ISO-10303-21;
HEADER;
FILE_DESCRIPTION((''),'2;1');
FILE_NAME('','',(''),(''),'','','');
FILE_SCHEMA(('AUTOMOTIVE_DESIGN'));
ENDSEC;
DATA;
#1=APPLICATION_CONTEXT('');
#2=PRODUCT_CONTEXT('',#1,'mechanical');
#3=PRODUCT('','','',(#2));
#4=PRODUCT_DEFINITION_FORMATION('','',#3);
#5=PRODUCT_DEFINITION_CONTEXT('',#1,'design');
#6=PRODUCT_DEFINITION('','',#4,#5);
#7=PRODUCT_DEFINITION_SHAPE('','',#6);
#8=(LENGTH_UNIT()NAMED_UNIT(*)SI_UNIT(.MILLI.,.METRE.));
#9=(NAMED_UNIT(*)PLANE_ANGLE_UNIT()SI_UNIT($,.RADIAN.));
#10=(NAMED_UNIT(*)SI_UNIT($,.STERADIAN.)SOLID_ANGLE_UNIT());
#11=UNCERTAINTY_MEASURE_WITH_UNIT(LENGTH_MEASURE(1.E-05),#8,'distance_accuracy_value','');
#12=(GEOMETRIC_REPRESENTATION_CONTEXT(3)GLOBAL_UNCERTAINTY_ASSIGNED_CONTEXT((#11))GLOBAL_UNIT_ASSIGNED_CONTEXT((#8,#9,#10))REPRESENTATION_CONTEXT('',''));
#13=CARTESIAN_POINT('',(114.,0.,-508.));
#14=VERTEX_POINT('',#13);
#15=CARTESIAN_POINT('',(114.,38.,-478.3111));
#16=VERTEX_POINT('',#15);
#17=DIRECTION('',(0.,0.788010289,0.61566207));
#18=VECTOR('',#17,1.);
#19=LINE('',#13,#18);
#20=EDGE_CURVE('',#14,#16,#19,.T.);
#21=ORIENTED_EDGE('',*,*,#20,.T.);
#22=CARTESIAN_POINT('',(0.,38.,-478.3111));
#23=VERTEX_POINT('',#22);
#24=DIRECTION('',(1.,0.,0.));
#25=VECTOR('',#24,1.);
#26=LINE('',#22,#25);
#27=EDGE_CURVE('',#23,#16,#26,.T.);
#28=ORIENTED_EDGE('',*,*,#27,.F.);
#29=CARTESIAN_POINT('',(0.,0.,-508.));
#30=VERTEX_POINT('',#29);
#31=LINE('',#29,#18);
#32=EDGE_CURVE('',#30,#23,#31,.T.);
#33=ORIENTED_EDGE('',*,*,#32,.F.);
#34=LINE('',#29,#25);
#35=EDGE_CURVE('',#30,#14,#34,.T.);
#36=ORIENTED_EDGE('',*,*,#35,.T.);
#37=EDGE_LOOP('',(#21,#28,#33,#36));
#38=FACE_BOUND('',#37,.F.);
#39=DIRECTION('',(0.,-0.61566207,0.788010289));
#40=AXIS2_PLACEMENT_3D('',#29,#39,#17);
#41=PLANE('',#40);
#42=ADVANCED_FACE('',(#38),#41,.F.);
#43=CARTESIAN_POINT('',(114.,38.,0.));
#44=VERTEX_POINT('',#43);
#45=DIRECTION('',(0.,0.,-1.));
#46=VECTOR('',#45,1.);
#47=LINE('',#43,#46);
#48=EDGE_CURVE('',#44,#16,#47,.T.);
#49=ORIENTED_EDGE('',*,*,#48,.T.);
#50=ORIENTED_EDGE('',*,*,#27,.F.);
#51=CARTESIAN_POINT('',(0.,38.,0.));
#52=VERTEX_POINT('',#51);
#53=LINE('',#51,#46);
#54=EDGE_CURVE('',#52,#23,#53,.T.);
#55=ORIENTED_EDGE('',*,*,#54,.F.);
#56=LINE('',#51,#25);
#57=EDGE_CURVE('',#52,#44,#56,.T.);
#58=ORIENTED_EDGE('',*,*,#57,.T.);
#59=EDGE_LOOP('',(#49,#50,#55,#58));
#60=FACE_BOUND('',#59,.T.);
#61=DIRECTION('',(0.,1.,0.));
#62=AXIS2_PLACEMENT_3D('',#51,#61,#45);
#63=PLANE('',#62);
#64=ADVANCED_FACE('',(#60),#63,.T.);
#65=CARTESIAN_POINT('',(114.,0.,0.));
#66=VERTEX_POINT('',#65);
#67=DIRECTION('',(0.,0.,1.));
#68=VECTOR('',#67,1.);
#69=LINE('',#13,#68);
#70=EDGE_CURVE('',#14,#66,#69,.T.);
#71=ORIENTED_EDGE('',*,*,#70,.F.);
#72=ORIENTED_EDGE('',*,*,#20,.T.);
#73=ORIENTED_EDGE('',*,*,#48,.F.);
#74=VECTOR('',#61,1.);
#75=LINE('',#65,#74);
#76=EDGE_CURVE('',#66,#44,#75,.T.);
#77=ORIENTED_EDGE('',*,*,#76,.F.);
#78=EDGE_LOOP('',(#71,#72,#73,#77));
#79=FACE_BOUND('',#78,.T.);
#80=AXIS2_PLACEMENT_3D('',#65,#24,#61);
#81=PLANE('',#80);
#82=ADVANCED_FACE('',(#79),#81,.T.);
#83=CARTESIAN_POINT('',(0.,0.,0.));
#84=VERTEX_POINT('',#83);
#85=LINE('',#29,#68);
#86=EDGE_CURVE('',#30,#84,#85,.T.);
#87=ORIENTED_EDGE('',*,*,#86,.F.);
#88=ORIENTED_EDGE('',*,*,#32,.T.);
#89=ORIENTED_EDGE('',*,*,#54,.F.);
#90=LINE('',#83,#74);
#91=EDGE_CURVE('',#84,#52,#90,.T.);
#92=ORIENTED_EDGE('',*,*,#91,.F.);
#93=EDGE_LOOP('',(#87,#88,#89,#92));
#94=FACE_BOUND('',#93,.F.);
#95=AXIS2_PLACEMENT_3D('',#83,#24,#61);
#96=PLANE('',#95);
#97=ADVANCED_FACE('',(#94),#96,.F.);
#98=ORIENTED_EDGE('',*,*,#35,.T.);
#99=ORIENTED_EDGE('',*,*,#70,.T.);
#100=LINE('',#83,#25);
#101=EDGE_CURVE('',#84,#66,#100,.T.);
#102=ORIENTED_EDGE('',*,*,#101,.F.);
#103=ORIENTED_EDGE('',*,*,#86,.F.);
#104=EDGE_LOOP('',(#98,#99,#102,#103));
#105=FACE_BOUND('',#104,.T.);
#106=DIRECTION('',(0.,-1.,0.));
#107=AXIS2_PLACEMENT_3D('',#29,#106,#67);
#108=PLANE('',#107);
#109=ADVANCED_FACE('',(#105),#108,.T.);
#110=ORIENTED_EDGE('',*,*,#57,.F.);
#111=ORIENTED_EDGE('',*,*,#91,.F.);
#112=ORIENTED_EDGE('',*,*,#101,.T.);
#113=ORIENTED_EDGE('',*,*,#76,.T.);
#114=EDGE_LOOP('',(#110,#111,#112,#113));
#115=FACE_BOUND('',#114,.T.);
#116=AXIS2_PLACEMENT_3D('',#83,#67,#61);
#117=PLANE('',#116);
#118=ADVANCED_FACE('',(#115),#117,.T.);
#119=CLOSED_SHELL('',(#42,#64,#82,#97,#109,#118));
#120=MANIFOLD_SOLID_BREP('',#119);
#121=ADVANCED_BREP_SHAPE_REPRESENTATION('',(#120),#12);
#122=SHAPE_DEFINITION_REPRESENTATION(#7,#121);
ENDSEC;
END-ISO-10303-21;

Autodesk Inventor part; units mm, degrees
ref_plane "YZ Plane" through (0, 0, 0) normal (1, 0, 0) x (0, 1, 0)
ref_plane "XZ Plane" through (0, 0, 0) normal (0, 1, 0) x (-1, 0, 0)
ref_plane "XY Plane" through (0, 0, 0) normal (0, 0, 1) x (1, 0, 0)
sketch "Sketch1" plane through (0, 0, 0) normal (1, 0, 0) x (0, 1, 0)
  line L0 (0, 0) -> (38, 0)
  line L1 (38, 0) -> (38, -478.3111)
  line L2 (38.1, -508) -> (0, -508) construction
  line L3 (0, -508) -> (0, 0)
  line L4 (0, -508) -> (38, -478.3111)
  dimension "d0" = 38
  dimension "d1" = 508
  dimension "d2" = 52
extrude "Extrusion1" add sketch "Sketch1" along normal blind 114
properties part number "2p2psh3" material "Wood (Cherry)"
